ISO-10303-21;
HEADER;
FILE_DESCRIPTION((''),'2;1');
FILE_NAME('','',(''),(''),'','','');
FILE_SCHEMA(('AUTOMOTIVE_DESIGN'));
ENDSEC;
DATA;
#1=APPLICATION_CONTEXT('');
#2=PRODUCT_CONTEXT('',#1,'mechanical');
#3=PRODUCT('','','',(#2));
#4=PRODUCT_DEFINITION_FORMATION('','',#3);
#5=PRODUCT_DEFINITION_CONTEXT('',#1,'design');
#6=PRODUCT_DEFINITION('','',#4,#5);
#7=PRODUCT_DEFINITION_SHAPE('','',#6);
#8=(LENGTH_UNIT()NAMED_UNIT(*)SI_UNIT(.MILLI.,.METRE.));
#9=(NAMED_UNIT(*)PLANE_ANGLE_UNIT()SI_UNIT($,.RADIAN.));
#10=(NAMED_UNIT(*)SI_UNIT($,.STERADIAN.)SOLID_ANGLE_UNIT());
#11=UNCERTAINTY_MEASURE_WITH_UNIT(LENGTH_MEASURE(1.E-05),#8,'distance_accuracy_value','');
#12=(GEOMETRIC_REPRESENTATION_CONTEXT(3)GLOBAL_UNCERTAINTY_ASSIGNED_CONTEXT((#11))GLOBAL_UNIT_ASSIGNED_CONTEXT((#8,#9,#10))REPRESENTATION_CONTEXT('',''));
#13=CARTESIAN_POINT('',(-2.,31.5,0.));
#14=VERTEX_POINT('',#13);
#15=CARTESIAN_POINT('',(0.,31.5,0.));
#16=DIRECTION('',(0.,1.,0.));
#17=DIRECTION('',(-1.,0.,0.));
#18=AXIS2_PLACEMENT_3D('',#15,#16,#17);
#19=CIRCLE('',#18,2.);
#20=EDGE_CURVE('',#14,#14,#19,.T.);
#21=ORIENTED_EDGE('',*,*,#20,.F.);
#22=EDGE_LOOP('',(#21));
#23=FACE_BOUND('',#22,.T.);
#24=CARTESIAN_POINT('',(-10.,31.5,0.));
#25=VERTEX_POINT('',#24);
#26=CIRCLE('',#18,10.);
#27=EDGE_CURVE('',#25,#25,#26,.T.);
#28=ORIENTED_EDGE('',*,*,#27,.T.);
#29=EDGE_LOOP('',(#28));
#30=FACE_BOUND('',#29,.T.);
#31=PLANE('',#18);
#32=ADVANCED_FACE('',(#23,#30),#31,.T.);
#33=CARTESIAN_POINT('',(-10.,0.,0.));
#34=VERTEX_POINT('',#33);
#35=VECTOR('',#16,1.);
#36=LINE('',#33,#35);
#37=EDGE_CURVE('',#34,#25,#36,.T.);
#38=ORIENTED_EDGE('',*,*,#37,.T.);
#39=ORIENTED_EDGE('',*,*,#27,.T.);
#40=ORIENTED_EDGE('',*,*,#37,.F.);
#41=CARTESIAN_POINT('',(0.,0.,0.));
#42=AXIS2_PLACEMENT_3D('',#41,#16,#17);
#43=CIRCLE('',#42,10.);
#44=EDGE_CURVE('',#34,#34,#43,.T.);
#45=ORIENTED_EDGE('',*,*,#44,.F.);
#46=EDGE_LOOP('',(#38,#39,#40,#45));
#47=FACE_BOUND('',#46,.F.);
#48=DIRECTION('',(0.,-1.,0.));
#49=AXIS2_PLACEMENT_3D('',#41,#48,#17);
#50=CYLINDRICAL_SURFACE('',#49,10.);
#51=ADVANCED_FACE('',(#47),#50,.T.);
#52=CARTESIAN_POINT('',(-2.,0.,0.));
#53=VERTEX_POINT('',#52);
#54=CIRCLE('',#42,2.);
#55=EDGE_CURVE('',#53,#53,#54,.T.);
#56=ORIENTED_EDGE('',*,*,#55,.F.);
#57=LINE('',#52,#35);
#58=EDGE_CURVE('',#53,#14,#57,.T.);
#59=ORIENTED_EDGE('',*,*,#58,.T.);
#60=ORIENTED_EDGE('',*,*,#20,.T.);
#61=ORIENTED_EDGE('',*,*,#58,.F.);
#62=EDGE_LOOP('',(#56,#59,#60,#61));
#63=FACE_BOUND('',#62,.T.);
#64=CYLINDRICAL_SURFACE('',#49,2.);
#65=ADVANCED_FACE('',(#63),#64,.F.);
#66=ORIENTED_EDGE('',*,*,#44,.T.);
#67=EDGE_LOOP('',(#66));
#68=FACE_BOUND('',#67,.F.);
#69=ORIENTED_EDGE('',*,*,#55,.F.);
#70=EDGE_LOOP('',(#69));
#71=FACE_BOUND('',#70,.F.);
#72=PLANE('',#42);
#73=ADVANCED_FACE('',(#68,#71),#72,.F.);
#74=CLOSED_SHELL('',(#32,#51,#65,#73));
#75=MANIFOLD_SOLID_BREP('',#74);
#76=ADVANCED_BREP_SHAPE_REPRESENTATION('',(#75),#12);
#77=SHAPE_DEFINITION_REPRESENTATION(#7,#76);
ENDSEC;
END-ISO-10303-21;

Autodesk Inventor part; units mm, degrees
ref_plane "YZ Plane" through (0, 0, 0) normal (1, 0, 0) x (0, 1, 0)
ref_plane "XZ Plane" through (0, 0, 0) normal (0, 1, 0) x (-1, 0, 0)
ref_plane "XY Plane" through (0, 0, 0) normal (0, 0, 1) x (1, 0, 0)
sketch "Sketch1" plane through (0, 0, 0) normal (0, 1, 0) x (-1, 0, 0)
  circle A0 centre (0, 0) radius 10
  circle A1 centre (0, 0) radius 2
  dimension "d0" = 20
  dimension "d1" = 4
extrude "Extrusion1" add sketch "Sketch1" along normal blind 31.5
properties part number "ESPACIADOR" material "Steel, Mild, Welded"
